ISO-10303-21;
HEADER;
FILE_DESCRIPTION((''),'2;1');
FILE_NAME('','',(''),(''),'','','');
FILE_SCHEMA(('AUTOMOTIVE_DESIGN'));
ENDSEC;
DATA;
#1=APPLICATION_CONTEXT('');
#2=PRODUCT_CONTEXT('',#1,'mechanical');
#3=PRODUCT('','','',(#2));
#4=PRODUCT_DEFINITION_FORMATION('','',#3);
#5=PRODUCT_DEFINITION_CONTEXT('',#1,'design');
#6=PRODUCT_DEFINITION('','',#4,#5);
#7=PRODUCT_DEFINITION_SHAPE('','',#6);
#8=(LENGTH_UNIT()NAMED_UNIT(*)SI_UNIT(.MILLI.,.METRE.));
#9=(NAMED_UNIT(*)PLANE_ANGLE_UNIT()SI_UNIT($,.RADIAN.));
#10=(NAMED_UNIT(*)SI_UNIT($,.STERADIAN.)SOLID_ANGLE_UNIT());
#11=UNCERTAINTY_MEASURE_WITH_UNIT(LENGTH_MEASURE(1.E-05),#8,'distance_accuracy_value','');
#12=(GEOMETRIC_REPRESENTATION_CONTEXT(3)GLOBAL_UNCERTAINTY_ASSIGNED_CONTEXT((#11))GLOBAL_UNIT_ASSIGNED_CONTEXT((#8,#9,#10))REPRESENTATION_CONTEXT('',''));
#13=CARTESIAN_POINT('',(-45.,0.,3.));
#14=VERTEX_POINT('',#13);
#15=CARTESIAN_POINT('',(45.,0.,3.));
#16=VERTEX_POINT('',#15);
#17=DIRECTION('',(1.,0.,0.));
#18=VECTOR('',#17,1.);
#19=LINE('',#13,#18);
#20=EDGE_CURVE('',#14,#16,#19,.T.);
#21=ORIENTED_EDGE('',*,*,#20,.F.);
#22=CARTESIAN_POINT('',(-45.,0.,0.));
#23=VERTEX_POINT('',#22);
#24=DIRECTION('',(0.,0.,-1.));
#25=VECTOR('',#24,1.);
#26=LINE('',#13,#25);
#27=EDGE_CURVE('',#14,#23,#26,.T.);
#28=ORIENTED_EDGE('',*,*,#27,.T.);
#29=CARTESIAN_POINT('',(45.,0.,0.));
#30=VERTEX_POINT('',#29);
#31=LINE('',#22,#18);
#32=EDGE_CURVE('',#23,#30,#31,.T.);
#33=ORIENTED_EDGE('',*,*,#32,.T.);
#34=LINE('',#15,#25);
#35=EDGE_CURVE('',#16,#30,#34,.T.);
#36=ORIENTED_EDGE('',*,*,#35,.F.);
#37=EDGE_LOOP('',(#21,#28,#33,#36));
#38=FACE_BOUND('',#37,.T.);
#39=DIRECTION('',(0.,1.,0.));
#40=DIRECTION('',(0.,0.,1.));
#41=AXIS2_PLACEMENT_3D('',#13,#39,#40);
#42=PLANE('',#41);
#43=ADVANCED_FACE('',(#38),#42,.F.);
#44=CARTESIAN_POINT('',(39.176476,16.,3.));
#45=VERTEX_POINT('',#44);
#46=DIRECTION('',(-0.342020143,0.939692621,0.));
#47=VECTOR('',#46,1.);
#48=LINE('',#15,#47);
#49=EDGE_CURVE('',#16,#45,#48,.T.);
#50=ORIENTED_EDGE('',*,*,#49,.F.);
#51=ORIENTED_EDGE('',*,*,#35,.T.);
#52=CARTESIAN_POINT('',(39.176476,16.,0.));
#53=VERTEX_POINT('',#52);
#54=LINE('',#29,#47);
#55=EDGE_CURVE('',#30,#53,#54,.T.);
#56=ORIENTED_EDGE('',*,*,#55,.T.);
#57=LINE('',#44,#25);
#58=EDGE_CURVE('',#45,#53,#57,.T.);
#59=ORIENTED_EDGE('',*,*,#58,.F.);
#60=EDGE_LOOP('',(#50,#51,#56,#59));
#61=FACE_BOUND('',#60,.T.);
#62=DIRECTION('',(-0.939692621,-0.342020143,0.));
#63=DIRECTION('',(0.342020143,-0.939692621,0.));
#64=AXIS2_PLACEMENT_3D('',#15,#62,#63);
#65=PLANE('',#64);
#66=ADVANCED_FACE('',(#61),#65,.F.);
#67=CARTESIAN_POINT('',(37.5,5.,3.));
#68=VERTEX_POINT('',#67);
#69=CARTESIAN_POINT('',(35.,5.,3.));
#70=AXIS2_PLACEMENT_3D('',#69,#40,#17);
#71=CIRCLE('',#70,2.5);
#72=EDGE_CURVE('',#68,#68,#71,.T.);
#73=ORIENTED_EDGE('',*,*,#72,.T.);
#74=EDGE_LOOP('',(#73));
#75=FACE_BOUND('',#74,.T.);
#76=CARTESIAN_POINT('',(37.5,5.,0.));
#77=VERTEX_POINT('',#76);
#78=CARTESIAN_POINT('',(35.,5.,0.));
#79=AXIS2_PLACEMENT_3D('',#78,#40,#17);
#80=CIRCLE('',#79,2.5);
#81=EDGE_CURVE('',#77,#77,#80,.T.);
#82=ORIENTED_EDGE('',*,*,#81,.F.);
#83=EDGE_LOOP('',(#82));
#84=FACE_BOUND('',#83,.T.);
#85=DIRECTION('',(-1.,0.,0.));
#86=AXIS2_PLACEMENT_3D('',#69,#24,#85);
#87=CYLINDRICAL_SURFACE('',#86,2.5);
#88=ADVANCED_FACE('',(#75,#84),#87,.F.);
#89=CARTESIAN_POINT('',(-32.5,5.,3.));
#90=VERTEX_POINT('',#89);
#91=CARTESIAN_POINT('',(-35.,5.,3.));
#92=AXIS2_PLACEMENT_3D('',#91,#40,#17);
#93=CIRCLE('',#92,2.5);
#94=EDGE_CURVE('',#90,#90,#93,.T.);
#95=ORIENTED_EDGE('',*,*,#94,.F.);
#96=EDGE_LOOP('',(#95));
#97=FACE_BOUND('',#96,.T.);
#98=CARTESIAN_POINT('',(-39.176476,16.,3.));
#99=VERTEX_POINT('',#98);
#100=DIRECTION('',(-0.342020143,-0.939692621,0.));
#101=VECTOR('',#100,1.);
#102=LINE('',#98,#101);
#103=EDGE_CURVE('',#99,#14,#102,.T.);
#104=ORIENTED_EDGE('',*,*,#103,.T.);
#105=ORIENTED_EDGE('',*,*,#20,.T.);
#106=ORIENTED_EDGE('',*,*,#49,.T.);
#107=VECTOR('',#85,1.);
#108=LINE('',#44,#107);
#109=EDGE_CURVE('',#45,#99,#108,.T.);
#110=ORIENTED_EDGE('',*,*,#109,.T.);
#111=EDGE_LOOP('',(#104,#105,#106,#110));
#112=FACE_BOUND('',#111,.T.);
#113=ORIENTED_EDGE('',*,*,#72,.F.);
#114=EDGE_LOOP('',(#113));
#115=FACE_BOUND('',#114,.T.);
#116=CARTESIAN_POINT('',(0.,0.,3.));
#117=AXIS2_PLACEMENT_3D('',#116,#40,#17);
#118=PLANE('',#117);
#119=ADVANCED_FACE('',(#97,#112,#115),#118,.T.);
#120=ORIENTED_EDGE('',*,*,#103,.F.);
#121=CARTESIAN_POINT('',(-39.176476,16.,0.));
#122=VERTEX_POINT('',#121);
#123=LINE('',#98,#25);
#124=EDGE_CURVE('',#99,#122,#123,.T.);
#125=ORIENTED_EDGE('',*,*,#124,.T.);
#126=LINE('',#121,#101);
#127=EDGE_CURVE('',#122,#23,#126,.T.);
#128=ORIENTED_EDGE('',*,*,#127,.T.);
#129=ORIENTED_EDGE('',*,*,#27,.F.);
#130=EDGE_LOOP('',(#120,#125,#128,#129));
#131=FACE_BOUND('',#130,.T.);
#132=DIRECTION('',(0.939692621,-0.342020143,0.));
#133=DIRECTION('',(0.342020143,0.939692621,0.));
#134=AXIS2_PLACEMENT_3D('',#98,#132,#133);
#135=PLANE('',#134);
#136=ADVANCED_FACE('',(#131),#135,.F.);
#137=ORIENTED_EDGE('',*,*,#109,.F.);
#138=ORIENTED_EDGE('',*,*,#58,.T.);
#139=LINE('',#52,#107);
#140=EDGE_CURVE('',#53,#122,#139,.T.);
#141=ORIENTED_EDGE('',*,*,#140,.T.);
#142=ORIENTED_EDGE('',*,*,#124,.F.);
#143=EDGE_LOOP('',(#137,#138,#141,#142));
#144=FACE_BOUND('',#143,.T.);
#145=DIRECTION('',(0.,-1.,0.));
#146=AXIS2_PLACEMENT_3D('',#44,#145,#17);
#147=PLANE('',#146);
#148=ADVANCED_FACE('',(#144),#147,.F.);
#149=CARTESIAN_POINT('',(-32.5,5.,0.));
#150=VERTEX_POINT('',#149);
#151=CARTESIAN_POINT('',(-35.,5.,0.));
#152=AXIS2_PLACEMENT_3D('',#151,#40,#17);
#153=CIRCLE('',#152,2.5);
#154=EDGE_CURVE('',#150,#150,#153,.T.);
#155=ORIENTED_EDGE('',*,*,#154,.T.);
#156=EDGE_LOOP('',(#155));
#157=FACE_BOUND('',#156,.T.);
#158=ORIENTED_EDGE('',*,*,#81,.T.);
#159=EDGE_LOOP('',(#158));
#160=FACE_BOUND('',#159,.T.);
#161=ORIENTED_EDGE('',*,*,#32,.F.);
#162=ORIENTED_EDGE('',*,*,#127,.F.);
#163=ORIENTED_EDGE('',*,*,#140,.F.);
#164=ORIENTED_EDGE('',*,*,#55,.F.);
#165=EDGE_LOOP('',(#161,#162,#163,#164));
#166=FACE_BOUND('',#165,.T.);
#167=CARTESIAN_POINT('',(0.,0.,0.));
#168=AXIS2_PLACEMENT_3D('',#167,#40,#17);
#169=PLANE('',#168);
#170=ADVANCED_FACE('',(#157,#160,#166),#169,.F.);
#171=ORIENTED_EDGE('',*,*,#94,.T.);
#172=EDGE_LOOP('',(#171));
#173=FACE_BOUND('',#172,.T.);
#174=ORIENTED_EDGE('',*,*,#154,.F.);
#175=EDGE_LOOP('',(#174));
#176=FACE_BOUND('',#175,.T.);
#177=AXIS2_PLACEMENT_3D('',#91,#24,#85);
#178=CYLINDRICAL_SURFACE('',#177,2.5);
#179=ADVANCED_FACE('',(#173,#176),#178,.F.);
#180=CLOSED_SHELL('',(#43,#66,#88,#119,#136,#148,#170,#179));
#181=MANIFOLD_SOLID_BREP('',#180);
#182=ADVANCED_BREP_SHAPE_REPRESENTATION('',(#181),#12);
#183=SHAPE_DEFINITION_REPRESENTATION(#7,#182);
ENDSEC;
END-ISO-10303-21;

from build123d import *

# Parameters (mm, degrees)
CROQUIS1_R              = 2.5
SALIENTE_EXTRUIR1_DEPTH = 3


with BuildPart() as part:
    # Croquis1 → Saliente-Extruir1 (new body)
    with BuildSketch(Plane.XY):
        Polygon((-45, 0), (45, 0), (39.176476252, 16), (-39.176476252, 16), align=None)
        with Locations((-35, 5)):
            Circle(CROQUIS1_R, mode=Mode.SUBTRACT)
        with Locations((35, 5)):
            Circle(CROQUIS1_R, mode=Mode.SUBTRACT)
    extrude(amount=SALIENTE_EXTRUIR1_DEPTH)


solid = part.part
